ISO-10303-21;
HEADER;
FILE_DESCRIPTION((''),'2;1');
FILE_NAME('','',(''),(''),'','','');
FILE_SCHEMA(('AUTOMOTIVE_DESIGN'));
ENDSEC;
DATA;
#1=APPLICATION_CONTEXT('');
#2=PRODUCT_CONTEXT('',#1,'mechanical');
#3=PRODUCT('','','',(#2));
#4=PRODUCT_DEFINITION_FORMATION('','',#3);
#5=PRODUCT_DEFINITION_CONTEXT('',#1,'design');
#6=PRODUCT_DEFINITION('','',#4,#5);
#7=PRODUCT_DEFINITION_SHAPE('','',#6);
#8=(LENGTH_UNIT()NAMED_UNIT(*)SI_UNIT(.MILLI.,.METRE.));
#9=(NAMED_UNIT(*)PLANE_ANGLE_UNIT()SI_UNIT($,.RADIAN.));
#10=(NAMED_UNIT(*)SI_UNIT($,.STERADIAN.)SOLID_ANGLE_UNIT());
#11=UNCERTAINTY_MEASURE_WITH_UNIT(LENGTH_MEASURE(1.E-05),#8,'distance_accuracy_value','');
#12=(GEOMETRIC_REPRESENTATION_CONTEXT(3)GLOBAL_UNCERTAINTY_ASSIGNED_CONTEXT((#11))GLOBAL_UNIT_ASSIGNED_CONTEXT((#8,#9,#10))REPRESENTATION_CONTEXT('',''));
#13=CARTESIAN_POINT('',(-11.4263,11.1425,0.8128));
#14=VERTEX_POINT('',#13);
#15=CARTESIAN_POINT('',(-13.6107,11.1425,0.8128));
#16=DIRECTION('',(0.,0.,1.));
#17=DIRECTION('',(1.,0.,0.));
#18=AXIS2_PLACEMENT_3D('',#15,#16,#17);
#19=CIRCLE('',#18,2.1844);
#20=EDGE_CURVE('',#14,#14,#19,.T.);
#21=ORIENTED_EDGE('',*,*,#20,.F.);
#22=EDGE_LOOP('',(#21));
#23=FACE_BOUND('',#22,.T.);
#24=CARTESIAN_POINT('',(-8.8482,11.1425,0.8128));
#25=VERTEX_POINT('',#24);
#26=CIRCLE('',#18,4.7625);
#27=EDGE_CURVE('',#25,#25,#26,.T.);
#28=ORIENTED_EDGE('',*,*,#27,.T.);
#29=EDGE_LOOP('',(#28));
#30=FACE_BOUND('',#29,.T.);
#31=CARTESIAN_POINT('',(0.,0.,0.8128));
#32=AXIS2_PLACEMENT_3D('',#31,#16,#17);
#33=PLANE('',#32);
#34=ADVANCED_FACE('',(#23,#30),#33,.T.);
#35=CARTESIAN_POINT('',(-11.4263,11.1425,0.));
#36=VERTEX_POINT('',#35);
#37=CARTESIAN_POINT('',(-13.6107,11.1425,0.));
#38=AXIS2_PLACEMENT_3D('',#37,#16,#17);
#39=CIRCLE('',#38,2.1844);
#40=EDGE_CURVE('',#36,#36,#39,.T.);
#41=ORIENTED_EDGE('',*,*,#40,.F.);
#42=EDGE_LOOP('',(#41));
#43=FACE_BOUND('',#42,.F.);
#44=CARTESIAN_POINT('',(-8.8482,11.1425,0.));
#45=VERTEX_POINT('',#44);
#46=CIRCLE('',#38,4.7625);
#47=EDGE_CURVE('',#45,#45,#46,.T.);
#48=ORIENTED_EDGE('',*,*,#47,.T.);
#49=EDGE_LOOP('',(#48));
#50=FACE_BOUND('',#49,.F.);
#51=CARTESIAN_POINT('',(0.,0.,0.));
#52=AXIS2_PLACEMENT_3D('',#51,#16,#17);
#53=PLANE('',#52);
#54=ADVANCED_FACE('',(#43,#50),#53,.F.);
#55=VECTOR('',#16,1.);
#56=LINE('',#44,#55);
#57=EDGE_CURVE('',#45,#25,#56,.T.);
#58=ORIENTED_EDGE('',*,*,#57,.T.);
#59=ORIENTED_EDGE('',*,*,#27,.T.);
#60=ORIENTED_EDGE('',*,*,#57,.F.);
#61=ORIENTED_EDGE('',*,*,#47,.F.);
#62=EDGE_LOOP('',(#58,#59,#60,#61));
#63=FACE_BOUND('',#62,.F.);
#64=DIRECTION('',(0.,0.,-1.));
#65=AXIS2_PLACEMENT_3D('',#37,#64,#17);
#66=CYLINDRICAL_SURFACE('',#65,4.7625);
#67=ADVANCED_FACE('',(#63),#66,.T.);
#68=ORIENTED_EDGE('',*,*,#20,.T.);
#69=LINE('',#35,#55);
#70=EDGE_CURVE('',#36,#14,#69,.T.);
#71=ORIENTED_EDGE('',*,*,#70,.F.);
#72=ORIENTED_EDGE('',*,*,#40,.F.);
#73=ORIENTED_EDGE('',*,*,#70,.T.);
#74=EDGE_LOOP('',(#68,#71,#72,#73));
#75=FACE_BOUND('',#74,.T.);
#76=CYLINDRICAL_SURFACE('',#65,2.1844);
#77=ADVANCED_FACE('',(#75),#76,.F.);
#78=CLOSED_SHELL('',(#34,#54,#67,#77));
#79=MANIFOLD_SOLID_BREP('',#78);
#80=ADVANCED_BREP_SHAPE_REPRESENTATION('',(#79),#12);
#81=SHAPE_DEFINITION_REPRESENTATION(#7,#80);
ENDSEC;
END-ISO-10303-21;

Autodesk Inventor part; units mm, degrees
ref_plane "YZ Plane" through (0, 0, 0) normal (1, 0, 0) x (0, 1, 0)
ref_plane "XZ Plane" through (0, 0, 0) normal (0, 1, 0) x (-1, 0, 0)
ref_plane "XY Plane" through (0, 0, 0) normal (0, 0, 1) x (1, 0, 0)
sketch "Sketch1" plane through (0, 0, 0) normal (0, 0, 1) x (1, 0, 0)
  circle A0 centre (-13.6107, 11.1425) radius 4.7625
  circle A1 centre (-13.6107, 11.1425) radius 2.1844
  dimension "d0" = 9.525
  dimension "d1" = 4.3688
extrude "Extrusion1" add sketch "Sketch1" along normal blind 0.8128
properties part number "Steel Washer" material "Steel"
